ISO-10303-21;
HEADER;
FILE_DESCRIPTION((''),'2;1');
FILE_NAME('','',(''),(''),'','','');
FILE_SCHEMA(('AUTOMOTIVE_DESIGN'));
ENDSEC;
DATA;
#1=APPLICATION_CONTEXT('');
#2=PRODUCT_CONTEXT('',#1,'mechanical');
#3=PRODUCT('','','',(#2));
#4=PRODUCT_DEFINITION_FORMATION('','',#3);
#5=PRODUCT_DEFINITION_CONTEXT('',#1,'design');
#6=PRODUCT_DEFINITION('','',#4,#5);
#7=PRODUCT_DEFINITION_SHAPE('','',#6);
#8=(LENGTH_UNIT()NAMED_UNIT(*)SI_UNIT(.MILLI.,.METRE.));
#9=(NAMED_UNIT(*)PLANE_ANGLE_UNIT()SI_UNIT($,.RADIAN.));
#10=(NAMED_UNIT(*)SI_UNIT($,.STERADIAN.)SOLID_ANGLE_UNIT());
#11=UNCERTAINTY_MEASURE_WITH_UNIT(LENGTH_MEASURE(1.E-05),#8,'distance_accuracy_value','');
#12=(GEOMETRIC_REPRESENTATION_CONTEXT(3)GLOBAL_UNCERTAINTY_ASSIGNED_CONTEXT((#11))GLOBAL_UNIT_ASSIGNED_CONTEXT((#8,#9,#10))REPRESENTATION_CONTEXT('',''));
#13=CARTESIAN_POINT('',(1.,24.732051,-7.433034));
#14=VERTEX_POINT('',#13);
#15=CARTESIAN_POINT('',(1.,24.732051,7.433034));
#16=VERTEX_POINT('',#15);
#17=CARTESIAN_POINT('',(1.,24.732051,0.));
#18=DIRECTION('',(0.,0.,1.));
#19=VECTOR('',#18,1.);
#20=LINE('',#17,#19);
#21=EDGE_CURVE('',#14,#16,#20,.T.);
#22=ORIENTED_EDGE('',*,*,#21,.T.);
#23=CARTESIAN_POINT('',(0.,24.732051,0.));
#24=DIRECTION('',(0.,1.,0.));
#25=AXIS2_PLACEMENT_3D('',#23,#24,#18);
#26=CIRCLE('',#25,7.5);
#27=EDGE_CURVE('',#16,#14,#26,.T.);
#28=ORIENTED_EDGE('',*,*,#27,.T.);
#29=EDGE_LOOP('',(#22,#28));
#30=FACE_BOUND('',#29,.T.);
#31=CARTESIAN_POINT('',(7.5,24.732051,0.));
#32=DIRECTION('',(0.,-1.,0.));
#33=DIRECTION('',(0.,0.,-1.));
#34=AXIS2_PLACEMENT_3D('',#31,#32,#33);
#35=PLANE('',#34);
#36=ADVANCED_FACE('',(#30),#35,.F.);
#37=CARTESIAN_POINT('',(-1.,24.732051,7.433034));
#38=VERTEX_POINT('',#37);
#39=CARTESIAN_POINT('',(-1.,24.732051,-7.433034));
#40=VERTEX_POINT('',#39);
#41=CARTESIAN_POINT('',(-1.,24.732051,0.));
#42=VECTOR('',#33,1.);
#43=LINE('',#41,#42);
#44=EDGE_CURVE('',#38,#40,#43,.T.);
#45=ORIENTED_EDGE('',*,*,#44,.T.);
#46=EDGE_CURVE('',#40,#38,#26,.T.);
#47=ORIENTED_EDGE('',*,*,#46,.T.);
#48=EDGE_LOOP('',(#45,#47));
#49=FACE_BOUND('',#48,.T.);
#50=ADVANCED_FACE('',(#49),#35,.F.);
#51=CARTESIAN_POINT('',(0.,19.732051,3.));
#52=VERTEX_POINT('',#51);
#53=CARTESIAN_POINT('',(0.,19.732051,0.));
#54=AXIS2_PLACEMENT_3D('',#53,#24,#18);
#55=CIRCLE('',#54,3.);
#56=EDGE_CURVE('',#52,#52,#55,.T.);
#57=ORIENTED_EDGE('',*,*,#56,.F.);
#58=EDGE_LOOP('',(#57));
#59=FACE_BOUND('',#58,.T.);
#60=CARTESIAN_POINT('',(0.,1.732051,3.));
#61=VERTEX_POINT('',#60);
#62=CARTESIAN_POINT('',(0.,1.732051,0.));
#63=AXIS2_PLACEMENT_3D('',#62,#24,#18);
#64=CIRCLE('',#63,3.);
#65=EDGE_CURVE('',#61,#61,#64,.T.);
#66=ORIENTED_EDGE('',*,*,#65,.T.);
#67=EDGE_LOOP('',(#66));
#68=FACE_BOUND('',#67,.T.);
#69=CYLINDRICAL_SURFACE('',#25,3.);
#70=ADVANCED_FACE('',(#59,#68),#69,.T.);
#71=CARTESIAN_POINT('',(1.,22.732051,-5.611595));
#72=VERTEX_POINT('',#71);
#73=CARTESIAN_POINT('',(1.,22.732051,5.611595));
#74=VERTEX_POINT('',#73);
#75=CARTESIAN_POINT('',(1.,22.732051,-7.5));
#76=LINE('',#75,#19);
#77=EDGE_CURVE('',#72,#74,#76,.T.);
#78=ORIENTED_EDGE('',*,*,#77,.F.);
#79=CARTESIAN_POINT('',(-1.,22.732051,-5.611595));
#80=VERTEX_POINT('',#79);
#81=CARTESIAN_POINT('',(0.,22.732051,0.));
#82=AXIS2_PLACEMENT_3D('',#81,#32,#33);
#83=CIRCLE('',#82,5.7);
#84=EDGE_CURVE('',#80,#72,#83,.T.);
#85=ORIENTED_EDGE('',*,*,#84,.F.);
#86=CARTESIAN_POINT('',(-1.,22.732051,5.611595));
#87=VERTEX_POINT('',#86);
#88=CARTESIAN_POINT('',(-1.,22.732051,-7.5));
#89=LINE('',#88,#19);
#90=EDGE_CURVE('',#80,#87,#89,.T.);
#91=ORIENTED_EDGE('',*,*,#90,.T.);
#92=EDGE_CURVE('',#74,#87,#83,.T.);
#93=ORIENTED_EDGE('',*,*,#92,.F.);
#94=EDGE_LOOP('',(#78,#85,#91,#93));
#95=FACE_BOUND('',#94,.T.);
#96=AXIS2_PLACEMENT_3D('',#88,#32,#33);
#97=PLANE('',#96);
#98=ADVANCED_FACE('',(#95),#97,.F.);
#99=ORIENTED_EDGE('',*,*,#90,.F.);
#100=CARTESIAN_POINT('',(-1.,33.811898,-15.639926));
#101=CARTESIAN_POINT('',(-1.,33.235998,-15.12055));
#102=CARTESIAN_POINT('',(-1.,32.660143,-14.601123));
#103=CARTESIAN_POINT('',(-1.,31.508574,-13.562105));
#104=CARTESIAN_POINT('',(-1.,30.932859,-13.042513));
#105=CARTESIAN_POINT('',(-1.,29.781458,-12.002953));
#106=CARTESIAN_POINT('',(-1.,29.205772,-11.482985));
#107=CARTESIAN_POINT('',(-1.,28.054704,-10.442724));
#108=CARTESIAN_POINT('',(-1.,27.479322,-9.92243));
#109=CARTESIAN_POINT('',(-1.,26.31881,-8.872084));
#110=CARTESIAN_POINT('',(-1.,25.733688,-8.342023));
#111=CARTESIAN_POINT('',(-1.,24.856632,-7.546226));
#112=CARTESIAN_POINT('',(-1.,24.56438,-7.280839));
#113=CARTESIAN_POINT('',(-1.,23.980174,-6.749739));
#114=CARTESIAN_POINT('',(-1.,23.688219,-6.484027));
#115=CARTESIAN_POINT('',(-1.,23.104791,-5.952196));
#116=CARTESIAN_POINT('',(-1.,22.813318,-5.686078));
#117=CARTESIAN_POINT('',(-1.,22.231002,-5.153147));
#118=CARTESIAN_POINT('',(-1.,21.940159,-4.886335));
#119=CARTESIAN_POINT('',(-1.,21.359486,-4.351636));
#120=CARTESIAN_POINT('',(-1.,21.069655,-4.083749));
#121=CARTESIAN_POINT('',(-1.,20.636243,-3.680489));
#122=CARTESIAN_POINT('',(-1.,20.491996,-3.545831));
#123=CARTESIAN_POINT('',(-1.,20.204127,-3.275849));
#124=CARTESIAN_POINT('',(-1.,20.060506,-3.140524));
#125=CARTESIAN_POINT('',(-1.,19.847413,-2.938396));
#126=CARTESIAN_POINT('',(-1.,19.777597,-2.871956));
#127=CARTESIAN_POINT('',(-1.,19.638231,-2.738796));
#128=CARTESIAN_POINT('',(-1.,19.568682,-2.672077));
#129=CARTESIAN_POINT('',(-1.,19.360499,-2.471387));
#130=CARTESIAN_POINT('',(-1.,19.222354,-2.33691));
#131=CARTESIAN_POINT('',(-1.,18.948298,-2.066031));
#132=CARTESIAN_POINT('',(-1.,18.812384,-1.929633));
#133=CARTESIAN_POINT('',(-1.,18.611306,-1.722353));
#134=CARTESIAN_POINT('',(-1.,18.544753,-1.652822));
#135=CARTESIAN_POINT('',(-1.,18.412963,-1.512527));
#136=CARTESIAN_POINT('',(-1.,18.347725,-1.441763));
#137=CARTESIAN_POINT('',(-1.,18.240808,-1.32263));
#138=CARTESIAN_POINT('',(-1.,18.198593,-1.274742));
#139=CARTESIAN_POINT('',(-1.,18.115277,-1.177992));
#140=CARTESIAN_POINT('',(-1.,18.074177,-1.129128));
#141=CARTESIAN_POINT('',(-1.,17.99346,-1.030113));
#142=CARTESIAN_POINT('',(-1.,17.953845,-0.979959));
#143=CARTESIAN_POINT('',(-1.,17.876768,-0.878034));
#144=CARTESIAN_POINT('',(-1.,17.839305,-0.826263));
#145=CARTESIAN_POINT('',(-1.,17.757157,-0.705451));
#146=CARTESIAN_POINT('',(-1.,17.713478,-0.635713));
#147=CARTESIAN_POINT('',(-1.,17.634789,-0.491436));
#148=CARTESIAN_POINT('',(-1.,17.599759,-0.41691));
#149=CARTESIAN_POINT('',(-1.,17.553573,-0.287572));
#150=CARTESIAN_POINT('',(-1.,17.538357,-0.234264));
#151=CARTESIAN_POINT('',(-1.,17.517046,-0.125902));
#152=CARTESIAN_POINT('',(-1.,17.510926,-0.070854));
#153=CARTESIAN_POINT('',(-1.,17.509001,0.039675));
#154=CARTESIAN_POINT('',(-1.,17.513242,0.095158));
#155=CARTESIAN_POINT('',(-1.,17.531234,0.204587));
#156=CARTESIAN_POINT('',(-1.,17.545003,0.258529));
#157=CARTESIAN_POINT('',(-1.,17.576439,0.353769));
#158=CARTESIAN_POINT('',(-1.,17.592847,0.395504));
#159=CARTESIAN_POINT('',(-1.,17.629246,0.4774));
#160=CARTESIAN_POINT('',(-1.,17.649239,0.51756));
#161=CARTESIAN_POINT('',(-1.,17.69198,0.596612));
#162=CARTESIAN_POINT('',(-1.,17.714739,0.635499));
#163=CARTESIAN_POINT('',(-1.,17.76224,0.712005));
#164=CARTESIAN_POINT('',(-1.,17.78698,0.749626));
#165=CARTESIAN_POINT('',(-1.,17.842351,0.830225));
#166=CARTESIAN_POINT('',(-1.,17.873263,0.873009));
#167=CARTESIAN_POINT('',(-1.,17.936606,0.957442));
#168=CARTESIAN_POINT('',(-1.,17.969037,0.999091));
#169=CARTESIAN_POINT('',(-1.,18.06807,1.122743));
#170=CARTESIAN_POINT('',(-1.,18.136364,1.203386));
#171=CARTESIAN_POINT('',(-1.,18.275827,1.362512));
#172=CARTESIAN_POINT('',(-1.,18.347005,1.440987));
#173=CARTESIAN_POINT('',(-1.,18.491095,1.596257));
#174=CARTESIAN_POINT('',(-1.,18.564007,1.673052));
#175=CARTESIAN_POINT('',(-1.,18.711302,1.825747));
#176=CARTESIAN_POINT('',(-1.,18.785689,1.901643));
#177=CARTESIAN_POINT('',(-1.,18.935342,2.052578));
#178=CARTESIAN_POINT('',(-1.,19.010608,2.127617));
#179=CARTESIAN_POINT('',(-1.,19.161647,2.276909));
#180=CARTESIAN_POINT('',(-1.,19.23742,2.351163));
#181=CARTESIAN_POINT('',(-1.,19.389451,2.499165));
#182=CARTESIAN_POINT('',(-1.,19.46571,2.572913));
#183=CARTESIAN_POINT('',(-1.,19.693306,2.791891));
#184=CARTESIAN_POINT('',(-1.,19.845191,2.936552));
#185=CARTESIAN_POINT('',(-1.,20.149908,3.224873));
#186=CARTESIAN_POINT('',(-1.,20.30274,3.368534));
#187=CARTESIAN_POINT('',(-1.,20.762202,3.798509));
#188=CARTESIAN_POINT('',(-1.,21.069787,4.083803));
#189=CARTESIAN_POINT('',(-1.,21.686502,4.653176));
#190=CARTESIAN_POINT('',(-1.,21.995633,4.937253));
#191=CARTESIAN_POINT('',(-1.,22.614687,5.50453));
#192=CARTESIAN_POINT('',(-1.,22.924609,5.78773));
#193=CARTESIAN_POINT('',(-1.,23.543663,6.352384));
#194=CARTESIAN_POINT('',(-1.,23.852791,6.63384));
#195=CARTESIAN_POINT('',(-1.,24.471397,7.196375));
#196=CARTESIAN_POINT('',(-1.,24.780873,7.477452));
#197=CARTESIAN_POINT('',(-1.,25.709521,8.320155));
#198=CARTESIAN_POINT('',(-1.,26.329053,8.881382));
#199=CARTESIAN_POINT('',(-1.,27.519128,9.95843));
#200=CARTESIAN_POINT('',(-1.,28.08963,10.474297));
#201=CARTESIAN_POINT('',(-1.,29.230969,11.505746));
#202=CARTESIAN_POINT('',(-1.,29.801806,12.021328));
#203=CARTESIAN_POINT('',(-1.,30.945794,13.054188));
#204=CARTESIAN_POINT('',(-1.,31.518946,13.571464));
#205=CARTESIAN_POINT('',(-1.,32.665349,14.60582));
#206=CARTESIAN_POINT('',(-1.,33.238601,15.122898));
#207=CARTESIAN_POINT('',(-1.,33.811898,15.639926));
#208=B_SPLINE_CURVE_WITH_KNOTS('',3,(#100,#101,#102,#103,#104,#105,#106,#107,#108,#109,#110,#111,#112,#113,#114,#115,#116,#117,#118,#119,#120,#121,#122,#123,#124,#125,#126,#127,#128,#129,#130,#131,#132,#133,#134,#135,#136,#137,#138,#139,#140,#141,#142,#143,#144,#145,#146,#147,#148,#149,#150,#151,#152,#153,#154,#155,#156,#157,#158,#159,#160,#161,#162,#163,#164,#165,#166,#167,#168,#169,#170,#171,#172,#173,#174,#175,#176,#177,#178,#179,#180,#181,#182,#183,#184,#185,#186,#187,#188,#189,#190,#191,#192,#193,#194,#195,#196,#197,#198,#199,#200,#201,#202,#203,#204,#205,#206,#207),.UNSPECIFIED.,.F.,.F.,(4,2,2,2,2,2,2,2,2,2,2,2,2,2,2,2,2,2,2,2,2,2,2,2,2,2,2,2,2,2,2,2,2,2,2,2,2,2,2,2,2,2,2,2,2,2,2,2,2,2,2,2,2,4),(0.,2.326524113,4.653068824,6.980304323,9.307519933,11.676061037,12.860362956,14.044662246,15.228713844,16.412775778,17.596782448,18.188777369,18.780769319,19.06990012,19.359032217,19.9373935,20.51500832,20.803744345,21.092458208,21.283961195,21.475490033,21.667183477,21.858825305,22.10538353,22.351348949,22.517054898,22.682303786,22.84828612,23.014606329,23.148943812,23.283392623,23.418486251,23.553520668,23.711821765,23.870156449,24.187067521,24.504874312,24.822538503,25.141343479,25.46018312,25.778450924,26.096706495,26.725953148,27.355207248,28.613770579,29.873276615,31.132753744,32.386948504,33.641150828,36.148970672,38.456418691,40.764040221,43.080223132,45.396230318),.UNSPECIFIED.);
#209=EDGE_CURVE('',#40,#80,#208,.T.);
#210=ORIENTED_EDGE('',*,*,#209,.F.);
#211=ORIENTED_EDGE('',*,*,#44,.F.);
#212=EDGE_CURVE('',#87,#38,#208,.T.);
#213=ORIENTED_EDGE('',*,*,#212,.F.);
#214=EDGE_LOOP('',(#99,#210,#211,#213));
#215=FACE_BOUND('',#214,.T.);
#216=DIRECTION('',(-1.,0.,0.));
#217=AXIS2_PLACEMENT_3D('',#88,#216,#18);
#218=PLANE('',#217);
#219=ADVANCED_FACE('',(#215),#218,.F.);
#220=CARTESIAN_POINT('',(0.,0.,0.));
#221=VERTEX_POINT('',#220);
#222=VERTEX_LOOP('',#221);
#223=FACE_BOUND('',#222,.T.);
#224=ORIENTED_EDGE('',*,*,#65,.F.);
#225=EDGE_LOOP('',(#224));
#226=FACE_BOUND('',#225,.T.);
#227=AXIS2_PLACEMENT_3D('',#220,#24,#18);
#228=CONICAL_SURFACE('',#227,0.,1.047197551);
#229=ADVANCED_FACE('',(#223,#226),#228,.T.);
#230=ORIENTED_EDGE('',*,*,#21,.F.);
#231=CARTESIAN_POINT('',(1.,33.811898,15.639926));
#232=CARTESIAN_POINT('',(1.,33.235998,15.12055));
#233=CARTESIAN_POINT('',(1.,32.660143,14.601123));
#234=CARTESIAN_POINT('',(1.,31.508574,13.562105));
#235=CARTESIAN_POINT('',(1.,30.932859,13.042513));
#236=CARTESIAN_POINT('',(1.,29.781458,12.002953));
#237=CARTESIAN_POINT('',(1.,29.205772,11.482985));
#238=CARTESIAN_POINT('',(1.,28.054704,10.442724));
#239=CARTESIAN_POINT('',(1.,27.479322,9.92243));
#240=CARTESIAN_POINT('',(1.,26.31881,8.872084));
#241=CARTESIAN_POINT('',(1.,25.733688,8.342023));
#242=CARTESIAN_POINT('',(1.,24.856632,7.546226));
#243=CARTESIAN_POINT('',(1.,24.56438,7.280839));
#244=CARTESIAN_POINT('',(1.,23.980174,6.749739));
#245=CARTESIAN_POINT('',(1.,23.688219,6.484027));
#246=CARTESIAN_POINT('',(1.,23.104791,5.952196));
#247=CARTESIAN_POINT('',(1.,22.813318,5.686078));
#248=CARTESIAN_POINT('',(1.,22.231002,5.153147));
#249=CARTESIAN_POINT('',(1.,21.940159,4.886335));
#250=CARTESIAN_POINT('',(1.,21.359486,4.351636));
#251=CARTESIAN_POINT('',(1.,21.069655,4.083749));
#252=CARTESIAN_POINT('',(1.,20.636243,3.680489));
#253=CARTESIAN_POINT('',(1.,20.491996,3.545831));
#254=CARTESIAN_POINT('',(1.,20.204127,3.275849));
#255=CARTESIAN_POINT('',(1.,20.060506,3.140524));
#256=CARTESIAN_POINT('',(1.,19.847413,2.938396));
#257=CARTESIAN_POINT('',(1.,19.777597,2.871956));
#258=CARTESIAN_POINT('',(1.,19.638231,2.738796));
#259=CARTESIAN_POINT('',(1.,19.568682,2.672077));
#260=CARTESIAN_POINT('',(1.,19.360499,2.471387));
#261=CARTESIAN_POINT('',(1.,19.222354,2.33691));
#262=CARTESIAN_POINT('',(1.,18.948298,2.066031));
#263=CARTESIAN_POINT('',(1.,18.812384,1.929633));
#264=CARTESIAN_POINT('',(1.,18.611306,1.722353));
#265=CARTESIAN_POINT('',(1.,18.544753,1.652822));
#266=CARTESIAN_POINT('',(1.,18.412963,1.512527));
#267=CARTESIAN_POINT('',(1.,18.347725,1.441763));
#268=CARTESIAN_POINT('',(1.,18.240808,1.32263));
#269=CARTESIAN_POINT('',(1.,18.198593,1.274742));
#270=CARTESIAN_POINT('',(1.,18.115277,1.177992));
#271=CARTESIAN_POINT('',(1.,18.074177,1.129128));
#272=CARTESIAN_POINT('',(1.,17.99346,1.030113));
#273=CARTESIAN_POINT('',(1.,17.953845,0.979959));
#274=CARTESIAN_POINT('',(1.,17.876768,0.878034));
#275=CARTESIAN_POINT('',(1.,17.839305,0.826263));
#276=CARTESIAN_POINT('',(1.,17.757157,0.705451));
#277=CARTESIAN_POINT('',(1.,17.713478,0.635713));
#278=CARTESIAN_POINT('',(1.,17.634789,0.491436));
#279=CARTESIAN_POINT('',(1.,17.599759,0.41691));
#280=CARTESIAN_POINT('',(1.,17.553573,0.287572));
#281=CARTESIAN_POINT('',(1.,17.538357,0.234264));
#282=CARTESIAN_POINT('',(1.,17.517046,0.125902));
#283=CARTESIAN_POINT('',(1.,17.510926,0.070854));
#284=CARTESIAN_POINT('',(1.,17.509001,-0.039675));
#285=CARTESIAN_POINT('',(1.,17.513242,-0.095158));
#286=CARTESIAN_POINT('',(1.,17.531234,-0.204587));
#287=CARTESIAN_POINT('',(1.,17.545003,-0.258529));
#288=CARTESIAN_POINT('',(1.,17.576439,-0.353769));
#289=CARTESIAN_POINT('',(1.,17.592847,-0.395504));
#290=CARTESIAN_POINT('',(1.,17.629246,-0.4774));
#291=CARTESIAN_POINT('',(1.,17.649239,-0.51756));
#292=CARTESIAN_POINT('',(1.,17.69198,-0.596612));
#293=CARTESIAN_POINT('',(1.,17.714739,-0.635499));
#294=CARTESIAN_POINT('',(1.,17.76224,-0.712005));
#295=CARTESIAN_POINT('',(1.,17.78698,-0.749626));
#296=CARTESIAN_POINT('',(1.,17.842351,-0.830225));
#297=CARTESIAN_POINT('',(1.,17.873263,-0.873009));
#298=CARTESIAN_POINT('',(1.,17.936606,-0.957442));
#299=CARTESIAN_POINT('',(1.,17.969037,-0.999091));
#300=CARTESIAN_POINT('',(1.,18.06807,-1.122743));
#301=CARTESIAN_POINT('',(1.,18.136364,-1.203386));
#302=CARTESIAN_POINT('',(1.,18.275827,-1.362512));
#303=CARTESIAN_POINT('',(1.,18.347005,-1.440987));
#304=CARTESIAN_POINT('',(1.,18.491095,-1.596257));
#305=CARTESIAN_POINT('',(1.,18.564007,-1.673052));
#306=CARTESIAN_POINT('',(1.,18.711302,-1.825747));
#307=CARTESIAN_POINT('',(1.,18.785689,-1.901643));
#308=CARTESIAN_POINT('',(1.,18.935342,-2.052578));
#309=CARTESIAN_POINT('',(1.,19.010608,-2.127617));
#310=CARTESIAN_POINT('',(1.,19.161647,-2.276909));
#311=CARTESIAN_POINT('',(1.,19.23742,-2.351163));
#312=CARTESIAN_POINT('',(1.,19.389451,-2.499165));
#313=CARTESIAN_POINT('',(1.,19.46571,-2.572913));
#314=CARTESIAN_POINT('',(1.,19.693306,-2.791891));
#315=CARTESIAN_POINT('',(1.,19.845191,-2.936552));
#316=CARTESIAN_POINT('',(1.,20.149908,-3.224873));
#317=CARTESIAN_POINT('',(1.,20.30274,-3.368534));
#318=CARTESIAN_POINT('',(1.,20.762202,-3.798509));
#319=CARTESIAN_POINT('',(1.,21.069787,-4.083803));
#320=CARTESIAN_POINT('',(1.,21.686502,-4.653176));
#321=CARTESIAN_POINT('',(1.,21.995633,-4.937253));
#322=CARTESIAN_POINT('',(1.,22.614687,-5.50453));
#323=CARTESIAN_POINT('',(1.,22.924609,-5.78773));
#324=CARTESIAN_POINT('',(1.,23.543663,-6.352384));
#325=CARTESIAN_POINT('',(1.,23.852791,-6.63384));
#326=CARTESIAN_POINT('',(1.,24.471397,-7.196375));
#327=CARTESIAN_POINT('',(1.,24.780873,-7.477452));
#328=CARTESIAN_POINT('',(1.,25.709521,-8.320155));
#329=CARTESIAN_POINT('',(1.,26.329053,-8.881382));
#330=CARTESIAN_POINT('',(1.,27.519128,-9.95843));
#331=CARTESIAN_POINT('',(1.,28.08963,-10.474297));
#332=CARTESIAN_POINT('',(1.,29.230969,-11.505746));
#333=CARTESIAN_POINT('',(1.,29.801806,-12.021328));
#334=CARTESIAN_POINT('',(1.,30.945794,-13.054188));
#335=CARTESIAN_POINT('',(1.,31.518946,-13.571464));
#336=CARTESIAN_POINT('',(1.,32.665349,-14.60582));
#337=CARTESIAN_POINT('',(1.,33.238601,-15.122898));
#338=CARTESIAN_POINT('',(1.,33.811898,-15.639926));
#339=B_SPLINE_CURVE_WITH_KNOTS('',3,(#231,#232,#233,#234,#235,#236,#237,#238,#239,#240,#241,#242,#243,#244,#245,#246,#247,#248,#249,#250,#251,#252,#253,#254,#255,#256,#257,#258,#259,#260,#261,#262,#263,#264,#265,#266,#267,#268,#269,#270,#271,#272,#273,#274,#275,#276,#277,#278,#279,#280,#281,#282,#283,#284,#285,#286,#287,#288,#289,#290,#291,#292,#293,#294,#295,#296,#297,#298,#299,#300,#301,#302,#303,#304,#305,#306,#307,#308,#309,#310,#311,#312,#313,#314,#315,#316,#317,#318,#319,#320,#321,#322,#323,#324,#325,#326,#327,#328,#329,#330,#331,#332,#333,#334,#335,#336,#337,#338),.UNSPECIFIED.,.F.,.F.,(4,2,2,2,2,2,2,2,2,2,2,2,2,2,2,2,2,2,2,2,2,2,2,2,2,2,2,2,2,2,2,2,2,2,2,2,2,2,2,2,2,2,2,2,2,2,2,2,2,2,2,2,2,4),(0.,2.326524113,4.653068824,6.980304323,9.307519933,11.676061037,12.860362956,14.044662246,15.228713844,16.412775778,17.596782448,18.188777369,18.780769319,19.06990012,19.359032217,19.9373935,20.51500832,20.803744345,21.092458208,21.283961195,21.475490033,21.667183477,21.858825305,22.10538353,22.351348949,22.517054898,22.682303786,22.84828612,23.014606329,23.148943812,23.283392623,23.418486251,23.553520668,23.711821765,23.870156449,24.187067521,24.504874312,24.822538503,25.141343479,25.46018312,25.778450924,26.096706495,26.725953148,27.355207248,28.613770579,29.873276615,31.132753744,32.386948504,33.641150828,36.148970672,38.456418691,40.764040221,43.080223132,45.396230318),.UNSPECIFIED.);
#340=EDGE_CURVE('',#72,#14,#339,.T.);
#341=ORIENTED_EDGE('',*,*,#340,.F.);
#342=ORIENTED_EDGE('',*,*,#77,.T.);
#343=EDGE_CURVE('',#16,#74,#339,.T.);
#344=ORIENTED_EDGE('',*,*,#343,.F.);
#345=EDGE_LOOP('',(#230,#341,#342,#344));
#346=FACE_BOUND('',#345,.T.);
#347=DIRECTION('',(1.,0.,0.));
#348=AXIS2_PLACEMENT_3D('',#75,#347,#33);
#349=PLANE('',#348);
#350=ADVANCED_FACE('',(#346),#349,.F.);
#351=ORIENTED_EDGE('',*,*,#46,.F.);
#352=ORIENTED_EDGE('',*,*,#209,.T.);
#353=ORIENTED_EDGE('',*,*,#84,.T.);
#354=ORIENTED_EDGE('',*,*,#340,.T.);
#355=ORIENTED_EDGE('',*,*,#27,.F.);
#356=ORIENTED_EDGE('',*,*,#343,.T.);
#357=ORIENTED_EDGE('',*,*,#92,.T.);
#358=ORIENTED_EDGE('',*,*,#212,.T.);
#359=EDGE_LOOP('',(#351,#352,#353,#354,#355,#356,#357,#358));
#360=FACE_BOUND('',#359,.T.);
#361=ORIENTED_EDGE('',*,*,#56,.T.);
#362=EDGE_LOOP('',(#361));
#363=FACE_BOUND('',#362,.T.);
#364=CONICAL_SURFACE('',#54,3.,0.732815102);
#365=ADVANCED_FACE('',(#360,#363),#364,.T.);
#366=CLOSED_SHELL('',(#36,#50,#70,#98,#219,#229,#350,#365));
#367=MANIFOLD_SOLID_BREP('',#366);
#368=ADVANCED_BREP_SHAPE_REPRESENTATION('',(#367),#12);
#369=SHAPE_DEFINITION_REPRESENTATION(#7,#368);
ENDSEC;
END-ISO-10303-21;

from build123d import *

# Parameters (mm, degrees)
SKETCH2_W               = 2
SKETCH2_H               = 4
CUT_EXTRUDE1_DEPTH      = 8.5
CUT_EXTRUDE1_DEPTH_BACK = 8.5


with BuildPart() as part:
    # Sketch1 → Revolve1 (revolve)
    with BuildSketch(Plane.XY):
        Polygon((0, 0), (3, 1.732050808), (3, 19.732050808), (7.5, 24.732050808), (0, 24.732050808), align=None)
    revolve(axis=Axis((0, 24.732050808, 0), (0, -1, 0)))

    # Sketch2 → Cut-Extrude1 (cut, two sides)
    with BuildSketch(Plane.XY) as cut_extrude1_sk:
        with Locations((0, 24.732050808)):
            Rectangle(SKETCH2_W, SKETCH2_H)
    extrude(amount=CUT_EXTRUDE1_DEPTH, mode=Mode.SUBTRACT)
    extrude(cut_extrude1_sk.sketch, amount=-CUT_EXTRUDE1_DEPTH_BACK, mode=Mode.SUBTRACT)


solid = part.part
